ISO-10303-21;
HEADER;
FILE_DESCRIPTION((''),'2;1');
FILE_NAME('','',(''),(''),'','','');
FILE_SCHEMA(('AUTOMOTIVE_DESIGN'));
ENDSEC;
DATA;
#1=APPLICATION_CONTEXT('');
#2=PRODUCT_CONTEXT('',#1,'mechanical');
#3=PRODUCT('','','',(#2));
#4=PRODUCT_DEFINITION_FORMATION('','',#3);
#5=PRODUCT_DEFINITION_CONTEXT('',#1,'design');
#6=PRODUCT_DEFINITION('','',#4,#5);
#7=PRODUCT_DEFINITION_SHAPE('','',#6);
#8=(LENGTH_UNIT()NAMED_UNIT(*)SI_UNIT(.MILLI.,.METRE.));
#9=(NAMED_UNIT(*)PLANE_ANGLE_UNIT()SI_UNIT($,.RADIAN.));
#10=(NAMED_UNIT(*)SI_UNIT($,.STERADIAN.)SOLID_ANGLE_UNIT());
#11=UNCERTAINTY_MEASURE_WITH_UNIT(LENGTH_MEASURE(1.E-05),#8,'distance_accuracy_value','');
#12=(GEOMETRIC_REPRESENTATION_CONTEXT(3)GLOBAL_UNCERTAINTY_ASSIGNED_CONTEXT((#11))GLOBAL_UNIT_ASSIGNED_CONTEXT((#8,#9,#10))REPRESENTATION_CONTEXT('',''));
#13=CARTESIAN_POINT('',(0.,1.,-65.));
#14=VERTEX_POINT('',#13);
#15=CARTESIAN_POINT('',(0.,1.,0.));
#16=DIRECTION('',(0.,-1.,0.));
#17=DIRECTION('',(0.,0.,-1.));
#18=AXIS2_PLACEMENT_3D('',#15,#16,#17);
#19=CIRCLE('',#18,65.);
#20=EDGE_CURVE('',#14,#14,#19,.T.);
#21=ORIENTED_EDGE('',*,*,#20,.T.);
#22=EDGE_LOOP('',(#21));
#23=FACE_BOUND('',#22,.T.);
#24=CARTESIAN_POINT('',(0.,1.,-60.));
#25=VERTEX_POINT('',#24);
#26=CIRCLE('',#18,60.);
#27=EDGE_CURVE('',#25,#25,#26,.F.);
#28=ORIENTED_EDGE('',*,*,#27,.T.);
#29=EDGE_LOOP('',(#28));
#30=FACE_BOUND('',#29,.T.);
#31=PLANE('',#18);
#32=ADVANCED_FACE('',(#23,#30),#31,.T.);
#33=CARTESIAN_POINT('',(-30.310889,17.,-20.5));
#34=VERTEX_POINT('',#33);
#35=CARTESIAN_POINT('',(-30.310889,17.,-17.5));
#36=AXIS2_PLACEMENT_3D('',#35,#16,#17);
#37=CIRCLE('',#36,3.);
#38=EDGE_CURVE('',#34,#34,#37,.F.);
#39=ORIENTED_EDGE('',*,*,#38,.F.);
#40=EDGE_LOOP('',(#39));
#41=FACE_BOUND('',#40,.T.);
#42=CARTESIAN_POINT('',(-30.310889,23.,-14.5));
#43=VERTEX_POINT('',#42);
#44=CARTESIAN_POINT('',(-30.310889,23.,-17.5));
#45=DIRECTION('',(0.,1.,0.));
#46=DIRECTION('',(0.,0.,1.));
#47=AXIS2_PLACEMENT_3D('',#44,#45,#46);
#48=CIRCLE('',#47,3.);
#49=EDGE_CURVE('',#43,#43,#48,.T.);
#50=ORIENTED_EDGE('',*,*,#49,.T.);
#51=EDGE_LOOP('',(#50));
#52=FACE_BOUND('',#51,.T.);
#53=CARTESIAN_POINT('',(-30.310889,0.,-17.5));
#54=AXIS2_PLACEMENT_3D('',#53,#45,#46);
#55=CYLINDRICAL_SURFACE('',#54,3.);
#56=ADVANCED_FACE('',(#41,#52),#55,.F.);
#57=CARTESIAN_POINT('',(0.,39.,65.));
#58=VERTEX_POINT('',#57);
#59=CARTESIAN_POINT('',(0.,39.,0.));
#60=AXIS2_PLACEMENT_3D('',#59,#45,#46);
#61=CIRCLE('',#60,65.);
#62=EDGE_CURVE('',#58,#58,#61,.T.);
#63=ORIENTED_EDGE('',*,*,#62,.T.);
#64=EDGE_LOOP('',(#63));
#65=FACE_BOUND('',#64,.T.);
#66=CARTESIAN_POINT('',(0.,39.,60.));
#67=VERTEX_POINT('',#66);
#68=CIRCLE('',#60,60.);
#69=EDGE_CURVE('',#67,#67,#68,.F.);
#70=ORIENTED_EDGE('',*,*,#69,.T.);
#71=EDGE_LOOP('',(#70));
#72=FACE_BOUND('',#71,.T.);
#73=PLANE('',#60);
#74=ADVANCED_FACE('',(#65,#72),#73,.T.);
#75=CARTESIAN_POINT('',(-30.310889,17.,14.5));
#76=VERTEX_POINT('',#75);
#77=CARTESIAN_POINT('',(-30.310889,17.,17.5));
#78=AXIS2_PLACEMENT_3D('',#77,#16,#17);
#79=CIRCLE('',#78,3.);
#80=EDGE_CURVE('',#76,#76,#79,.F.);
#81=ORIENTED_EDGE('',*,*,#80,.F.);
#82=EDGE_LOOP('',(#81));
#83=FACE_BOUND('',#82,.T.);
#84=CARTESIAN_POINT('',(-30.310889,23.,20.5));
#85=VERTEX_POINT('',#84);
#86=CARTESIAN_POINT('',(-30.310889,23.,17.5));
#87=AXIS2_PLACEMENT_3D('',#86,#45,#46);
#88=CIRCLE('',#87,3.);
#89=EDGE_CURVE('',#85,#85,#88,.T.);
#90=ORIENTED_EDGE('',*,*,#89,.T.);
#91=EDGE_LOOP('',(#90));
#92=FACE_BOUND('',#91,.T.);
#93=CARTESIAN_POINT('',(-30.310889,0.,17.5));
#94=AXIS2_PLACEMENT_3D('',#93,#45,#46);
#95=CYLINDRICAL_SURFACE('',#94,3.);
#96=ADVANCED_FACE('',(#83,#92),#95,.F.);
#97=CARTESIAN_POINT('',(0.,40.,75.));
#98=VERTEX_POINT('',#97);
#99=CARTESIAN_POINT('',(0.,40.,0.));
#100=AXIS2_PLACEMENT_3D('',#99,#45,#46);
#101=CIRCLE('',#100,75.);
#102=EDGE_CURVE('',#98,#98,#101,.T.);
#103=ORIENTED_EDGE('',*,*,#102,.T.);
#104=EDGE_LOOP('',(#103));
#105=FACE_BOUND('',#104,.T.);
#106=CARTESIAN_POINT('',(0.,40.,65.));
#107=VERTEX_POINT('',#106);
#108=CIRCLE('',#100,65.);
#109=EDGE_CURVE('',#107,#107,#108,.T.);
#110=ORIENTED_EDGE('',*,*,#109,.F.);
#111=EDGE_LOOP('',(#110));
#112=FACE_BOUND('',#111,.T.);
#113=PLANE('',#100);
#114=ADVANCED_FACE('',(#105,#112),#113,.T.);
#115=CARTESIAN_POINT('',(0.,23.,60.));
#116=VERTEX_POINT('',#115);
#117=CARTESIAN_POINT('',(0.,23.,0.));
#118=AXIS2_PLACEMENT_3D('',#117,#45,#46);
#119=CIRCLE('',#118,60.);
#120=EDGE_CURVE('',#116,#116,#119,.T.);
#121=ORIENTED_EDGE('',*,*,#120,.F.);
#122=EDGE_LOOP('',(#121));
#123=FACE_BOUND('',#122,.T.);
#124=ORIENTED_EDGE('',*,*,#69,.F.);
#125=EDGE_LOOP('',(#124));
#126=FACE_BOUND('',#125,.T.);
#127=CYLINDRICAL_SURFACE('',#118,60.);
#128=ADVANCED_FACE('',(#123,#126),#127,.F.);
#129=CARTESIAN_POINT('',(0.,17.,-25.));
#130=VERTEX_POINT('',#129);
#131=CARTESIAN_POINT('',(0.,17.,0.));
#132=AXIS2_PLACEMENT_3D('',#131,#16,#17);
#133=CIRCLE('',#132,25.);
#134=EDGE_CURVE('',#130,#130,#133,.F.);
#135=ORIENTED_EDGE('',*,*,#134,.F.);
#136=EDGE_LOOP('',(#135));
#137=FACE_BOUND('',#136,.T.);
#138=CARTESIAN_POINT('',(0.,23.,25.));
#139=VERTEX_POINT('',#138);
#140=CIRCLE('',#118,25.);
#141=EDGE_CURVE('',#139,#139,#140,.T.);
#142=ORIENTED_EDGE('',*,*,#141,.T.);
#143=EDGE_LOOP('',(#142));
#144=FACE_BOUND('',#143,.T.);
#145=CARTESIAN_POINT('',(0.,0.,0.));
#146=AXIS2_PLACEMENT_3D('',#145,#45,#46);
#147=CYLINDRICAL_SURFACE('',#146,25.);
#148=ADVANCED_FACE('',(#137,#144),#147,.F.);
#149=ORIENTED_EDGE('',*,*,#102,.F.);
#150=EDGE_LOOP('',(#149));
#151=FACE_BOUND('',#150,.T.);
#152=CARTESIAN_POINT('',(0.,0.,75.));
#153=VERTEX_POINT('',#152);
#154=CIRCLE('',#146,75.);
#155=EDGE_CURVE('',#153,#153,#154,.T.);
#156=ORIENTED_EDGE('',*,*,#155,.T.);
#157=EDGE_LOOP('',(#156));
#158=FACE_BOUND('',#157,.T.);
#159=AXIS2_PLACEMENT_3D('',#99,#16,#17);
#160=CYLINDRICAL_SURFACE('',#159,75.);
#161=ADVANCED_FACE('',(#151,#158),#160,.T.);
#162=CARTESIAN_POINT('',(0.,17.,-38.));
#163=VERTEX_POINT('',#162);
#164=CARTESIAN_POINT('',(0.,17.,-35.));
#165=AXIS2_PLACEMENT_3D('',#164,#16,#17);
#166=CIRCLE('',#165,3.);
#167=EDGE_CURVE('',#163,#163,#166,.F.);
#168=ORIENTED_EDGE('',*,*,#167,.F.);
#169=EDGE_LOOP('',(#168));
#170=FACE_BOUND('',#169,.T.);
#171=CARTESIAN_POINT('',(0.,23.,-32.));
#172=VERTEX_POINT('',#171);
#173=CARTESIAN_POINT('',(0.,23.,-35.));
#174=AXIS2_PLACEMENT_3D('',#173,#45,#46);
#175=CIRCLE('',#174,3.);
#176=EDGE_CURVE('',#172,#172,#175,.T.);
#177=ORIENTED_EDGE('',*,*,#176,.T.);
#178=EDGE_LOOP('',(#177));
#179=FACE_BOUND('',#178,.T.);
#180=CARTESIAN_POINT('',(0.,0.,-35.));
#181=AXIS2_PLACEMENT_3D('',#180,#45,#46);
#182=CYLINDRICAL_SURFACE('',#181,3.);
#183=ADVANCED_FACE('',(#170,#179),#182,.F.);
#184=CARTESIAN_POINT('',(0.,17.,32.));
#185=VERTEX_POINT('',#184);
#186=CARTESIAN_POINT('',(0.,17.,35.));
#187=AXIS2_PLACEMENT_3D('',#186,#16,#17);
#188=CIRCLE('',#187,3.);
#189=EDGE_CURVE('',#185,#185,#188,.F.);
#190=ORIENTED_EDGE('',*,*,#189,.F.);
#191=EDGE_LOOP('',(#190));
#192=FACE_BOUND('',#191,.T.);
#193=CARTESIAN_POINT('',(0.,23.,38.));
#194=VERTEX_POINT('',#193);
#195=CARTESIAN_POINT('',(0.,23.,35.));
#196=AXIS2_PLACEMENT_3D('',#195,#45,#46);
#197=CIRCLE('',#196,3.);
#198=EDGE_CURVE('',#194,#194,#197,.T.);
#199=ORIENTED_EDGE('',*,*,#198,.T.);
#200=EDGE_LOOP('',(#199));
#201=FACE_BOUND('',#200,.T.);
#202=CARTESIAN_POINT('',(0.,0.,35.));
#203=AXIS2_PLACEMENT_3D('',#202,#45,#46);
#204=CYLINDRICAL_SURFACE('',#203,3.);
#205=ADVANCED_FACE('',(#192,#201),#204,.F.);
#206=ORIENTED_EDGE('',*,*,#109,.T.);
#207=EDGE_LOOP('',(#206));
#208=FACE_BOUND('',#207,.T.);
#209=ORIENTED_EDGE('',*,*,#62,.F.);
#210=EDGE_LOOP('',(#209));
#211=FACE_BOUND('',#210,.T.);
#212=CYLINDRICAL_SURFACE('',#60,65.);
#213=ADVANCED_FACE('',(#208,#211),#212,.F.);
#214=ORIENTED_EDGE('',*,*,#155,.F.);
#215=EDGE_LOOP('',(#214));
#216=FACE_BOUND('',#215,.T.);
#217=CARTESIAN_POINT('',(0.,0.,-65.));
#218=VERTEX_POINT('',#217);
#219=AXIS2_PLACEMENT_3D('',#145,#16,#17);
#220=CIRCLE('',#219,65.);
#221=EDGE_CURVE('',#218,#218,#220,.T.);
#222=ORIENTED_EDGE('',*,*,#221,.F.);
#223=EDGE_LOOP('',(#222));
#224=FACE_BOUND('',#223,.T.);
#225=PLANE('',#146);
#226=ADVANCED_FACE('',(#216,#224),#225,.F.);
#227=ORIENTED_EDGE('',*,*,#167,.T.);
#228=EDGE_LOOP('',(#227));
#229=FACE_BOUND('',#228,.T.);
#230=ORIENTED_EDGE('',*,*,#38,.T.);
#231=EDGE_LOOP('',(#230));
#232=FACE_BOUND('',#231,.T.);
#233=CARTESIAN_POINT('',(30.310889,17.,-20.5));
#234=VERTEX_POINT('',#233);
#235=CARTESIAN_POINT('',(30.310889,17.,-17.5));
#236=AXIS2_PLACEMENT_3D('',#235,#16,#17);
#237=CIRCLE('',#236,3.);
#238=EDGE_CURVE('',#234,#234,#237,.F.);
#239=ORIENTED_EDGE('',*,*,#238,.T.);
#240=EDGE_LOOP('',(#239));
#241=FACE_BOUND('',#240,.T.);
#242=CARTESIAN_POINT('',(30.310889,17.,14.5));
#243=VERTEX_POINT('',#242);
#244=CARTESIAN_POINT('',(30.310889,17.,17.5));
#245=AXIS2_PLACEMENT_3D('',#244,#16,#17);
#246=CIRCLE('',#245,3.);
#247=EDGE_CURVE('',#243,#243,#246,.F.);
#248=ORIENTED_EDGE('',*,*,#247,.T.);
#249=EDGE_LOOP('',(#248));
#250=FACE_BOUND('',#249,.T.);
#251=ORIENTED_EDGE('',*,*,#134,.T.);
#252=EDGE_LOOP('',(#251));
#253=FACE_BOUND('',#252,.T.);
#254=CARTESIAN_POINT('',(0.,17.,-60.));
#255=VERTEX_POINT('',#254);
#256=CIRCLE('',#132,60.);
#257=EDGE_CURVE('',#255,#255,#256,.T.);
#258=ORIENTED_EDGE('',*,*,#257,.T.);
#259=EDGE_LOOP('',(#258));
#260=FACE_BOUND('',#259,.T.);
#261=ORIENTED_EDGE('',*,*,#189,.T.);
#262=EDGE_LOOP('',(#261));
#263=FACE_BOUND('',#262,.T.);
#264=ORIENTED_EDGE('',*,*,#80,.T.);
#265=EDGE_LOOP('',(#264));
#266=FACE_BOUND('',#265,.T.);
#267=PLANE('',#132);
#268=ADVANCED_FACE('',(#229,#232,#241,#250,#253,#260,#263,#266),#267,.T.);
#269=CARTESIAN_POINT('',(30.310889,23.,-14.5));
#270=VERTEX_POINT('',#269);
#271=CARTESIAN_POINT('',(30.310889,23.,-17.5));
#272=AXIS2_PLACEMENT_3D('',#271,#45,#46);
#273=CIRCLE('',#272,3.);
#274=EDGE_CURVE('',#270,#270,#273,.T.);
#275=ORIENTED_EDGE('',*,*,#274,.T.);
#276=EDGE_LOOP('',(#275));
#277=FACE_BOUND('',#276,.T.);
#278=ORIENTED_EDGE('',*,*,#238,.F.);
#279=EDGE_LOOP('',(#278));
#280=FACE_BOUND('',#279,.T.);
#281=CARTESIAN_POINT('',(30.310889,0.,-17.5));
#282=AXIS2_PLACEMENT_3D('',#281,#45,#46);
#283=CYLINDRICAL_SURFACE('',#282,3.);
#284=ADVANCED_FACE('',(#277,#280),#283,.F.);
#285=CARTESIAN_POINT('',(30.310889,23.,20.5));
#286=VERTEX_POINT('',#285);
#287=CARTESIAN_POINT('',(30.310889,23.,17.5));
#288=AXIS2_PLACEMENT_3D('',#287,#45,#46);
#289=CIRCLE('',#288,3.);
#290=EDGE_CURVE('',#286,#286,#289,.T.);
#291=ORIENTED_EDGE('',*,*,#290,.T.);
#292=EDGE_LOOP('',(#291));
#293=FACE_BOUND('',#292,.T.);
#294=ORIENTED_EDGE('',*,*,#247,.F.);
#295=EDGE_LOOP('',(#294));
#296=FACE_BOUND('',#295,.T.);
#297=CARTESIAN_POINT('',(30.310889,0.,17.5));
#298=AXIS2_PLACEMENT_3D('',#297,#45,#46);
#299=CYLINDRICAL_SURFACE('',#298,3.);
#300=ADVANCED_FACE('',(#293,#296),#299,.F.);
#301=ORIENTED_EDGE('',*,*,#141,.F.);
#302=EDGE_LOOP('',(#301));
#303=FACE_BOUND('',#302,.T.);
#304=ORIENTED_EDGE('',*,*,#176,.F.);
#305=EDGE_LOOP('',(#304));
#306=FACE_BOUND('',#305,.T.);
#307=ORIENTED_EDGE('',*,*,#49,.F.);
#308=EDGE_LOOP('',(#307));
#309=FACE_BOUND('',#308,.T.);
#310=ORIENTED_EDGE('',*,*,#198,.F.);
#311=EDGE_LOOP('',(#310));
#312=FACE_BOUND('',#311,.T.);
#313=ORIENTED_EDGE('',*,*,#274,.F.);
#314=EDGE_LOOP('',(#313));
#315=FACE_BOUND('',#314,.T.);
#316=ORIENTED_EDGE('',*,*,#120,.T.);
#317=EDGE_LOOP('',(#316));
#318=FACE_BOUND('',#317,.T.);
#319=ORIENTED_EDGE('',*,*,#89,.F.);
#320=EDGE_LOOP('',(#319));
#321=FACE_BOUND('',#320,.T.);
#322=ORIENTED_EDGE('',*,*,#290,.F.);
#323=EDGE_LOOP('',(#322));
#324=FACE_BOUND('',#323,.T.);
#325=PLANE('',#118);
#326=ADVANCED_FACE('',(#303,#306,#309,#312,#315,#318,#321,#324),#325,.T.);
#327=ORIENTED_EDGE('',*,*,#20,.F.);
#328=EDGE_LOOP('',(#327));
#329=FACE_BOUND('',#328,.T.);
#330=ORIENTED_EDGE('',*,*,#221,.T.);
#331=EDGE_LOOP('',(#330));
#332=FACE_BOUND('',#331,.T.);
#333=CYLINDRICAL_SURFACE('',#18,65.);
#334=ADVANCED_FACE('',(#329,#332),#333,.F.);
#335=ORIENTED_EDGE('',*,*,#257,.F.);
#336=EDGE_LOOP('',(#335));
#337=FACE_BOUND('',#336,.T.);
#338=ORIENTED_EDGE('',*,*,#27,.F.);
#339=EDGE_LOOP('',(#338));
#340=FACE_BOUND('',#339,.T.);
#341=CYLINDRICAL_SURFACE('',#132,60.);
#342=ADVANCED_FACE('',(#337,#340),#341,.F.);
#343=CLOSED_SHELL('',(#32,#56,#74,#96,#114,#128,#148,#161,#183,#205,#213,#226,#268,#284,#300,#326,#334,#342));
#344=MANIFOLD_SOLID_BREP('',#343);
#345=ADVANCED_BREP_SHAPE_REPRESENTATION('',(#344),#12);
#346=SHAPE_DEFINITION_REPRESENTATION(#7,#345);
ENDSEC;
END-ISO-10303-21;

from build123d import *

# Parameters (mm, degrees)
SKETCH1_R           = 75
BOSS_EXTRUDE1_DEPTH = 40
SKETCH2_R           = 60
CUT_EXTRUDE1_DEPTH  = 17
SKETCH3_R           = 25
CUT_EXTRUDE2_DEPTH  = 24
SKETCH4_R           = 3
CUT_EXTRUDE3_DEPTH  = 24
SKETCH6_R           = 60
CUT_EXTRUDE4_DEPTH  = 17
SKETCH7_R           = 65
CUT_EXTRUDE5_DEPTH  = 1
SKETCH8_R           = 65
CUT_EXTRUDE6_DEPTH  = 1


with BuildPart() as part:
    # Sketch1 → Boss-Extrude1 (new body)
    with BuildSketch(Plane(origin=(0, 0, 0), x_dir=(1, 0, 0), z_dir=(0, 1, 0))):
        Circle(SKETCH1_R)
    extrude(amount=BOSS_EXTRUDE1_DEPTH)

    # Sketch2 → Cut-Extrude1 (cut)
    with BuildSketch(Plane(origin=(0, 40, 0), x_dir=(1, 0, 0), z_dir=(0, 1, 0))):
        Circle(SKETCH2_R)
    extrude(amount=-CUT_EXTRUDE1_DEPTH, mode=Mode.SUBTRACT)

    # Sketch3 → Cut-Extrude2 (cut, through all)
    with BuildSketch(Plane(origin=(0, 23, 0), x_dir=(1, 0, 0), z_dir=(0, 1, 0))):
        Circle(SKETCH3_R)
    extrude(amount=-CUT_EXTRUDE2_DEPTH, mode=Mode.SUBTRACT)

    # Sketch4 → Cut-Extrude3 (cut, through all)
    with BuildSketch(Plane(origin=(0, 23, 0), x_dir=(1, 0, 0), z_dir=(0, 1, 0))):
        with Locations((0, 35)):
            Circle(SKETCH4_R)
        with Locations((30.310889132, 17.5)):
            Circle(SKETCH4_R)
        with Locations((30.310889132, -17.5)):
            Circle(SKETCH4_R)
        with Locations((0, -35)):
            Circle(SKETCH4_R)
        with Locations((-30.310889132, -17.5)):
            Circle(SKETCH4_R)
        with Locations((-30.310889132, 17.5)):
            Circle(SKETCH4_R)
    extrude(amount=-CUT_EXTRUDE3_DEPTH, mode=Mode.SUBTRACT)

    # Sketch6 → Cut-Extrude4 (cut)
    with BuildSketch(Plane.XZ):
        Circle(SKETCH6_R)
    extrude(amount=-CUT_EXTRUDE4_DEPTH, mode=Mode.SUBTRACT)

    # Sketch7 → Cut-Extrude5 (cut)
    with BuildSketch(Plane.XZ):
        Circle(SKETCH7_R)
    extrude(amount=-CUT_EXTRUDE5_DEPTH, mode=Mode.SUBTRACT)

    # Sketch8 → Cut-Extrude6 (cut)
    with BuildSketch(Plane(origin=(0, 40, 0), x_dir=(1, 0, 0), z_dir=(0, 1, 0))):
        Circle(SKETCH8_R)
    extrude(amount=-CUT_EXTRUDE6_DEPTH, mode=Mode.SUBTRACT)


solid = part.part
